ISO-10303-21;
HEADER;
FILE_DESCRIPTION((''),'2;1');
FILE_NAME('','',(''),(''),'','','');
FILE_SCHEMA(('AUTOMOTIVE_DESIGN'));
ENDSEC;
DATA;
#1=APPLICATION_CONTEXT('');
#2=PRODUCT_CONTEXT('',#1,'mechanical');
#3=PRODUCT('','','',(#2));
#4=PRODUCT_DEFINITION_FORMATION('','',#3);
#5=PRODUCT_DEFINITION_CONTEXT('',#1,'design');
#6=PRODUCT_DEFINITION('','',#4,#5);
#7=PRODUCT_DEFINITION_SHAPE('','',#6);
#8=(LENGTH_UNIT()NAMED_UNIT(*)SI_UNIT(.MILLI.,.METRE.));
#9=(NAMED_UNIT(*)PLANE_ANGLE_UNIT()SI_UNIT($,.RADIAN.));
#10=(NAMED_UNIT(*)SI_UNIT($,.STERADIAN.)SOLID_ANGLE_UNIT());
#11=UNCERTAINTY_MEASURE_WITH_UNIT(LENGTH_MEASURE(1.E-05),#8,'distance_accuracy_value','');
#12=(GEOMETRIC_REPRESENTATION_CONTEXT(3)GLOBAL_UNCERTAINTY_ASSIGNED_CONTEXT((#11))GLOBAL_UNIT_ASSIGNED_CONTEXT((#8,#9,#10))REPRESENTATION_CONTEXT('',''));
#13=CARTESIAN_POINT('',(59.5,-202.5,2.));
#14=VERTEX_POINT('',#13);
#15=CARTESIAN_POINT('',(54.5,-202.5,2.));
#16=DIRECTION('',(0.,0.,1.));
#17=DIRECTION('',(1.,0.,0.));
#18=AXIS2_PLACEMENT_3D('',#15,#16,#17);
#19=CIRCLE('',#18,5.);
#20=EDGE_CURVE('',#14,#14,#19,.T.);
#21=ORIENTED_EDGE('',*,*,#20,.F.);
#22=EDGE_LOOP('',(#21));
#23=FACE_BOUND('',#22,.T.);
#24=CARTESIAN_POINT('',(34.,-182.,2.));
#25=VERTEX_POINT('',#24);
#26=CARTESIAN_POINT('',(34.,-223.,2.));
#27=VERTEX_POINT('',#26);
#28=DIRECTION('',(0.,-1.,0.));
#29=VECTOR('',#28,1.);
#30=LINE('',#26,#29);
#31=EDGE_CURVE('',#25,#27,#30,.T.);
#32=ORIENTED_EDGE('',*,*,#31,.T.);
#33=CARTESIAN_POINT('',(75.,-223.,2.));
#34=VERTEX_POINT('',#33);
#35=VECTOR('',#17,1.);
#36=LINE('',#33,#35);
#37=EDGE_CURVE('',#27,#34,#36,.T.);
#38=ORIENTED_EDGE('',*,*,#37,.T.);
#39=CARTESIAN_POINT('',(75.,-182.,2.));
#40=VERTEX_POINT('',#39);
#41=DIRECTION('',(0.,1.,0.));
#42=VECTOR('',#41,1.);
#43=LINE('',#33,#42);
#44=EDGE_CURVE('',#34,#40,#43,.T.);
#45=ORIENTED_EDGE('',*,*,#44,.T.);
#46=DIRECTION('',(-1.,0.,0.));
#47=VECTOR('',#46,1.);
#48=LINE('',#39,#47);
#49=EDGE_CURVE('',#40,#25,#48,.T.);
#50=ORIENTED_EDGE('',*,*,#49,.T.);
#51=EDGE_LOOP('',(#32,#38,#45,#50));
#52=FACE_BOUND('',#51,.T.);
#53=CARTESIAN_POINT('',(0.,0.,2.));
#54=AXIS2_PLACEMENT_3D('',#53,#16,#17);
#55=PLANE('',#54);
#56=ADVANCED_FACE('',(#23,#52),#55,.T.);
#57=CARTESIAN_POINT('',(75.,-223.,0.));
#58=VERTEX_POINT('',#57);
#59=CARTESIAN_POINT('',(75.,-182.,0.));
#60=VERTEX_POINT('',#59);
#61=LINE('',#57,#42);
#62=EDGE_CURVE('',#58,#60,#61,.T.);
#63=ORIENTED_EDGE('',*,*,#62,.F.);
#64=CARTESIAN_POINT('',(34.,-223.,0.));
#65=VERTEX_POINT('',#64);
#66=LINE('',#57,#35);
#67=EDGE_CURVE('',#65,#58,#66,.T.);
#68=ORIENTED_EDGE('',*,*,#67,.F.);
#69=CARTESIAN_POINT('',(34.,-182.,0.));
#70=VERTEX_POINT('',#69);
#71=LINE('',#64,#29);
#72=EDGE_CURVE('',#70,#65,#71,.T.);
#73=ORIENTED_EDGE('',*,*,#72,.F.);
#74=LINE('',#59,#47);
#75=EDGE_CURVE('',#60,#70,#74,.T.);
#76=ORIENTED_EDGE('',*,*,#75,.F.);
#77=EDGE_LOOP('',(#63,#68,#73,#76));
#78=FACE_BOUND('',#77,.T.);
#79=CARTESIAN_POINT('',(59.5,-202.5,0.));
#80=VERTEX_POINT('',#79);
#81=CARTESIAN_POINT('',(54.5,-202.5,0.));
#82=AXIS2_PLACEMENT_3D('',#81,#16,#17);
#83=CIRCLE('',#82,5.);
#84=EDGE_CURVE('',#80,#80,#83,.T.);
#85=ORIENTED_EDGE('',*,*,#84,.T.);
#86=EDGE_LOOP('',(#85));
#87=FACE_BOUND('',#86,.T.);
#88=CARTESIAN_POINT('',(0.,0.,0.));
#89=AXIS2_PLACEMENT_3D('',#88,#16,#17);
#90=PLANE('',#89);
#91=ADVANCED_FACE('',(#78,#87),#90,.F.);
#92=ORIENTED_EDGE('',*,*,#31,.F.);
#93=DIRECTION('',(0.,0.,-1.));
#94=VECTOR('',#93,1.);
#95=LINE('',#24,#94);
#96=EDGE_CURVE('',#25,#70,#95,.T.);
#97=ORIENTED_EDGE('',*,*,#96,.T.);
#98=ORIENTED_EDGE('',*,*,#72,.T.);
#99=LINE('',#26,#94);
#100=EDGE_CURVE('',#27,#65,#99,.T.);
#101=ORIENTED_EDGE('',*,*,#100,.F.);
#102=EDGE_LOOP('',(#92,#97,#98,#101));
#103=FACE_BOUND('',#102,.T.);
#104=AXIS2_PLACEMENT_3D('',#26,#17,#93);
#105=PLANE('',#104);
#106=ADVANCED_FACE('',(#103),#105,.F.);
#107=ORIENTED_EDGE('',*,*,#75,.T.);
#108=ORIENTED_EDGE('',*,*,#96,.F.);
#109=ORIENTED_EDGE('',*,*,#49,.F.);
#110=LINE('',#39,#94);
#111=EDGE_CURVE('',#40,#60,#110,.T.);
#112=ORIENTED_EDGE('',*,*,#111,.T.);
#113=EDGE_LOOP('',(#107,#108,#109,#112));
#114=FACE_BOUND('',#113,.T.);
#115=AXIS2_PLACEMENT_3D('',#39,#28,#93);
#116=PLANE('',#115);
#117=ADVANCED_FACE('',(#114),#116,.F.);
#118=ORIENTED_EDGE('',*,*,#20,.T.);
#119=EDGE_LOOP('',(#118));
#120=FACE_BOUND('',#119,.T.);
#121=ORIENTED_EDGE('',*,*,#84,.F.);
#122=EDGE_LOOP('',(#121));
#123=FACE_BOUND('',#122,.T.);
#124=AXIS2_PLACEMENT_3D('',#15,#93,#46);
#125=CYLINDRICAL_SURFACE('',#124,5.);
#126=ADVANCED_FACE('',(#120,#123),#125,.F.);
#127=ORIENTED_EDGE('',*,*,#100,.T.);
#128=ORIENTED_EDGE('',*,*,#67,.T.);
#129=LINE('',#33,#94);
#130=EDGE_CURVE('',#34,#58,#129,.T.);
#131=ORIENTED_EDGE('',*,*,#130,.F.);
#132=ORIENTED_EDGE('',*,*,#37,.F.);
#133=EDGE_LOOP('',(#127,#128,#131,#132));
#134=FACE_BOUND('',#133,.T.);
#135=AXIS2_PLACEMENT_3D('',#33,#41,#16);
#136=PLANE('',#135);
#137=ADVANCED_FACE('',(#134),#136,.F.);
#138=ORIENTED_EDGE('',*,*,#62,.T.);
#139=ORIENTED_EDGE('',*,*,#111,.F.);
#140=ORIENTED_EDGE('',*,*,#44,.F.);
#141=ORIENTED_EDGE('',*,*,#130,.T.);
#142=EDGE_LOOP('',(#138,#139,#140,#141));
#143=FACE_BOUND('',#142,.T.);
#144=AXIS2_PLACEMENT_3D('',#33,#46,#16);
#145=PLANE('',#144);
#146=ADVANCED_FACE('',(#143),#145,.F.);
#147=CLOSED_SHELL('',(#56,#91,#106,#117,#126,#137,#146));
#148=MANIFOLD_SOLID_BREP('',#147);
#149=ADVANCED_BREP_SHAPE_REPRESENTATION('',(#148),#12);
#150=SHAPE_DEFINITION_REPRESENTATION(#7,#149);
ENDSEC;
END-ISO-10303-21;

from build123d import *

# Parameters (mm, degrees)
SKETCH1_W           = 41
SKETCH1_H           = 41
BOSS_EXTRUDE1_DEPTH = 2
SKETCH2_R           = 5
CUT_EXTRUDE2_DEPTH  = 3


with BuildPart() as part:
    # Sketch1 → Boss-Extrude1 (new body)
    with BuildSketch(Plane.XY):
        with Locations((54.5, -202.5)):
            Rectangle(SKETCH1_W, SKETCH1_H)
    extrude(amount=BOSS_EXTRUDE1_DEPTH)

    # Sketch2 → Cut-Extrude2 (cut, through all)
    with BuildSketch(Plane.XY):
        with Locations((54.5, -202.5)):
            Circle(SKETCH2_R)
    extrude(amount=CUT_EXTRUDE2_DEPTH, mode=Mode.SUBTRACT)


solid = part.part
